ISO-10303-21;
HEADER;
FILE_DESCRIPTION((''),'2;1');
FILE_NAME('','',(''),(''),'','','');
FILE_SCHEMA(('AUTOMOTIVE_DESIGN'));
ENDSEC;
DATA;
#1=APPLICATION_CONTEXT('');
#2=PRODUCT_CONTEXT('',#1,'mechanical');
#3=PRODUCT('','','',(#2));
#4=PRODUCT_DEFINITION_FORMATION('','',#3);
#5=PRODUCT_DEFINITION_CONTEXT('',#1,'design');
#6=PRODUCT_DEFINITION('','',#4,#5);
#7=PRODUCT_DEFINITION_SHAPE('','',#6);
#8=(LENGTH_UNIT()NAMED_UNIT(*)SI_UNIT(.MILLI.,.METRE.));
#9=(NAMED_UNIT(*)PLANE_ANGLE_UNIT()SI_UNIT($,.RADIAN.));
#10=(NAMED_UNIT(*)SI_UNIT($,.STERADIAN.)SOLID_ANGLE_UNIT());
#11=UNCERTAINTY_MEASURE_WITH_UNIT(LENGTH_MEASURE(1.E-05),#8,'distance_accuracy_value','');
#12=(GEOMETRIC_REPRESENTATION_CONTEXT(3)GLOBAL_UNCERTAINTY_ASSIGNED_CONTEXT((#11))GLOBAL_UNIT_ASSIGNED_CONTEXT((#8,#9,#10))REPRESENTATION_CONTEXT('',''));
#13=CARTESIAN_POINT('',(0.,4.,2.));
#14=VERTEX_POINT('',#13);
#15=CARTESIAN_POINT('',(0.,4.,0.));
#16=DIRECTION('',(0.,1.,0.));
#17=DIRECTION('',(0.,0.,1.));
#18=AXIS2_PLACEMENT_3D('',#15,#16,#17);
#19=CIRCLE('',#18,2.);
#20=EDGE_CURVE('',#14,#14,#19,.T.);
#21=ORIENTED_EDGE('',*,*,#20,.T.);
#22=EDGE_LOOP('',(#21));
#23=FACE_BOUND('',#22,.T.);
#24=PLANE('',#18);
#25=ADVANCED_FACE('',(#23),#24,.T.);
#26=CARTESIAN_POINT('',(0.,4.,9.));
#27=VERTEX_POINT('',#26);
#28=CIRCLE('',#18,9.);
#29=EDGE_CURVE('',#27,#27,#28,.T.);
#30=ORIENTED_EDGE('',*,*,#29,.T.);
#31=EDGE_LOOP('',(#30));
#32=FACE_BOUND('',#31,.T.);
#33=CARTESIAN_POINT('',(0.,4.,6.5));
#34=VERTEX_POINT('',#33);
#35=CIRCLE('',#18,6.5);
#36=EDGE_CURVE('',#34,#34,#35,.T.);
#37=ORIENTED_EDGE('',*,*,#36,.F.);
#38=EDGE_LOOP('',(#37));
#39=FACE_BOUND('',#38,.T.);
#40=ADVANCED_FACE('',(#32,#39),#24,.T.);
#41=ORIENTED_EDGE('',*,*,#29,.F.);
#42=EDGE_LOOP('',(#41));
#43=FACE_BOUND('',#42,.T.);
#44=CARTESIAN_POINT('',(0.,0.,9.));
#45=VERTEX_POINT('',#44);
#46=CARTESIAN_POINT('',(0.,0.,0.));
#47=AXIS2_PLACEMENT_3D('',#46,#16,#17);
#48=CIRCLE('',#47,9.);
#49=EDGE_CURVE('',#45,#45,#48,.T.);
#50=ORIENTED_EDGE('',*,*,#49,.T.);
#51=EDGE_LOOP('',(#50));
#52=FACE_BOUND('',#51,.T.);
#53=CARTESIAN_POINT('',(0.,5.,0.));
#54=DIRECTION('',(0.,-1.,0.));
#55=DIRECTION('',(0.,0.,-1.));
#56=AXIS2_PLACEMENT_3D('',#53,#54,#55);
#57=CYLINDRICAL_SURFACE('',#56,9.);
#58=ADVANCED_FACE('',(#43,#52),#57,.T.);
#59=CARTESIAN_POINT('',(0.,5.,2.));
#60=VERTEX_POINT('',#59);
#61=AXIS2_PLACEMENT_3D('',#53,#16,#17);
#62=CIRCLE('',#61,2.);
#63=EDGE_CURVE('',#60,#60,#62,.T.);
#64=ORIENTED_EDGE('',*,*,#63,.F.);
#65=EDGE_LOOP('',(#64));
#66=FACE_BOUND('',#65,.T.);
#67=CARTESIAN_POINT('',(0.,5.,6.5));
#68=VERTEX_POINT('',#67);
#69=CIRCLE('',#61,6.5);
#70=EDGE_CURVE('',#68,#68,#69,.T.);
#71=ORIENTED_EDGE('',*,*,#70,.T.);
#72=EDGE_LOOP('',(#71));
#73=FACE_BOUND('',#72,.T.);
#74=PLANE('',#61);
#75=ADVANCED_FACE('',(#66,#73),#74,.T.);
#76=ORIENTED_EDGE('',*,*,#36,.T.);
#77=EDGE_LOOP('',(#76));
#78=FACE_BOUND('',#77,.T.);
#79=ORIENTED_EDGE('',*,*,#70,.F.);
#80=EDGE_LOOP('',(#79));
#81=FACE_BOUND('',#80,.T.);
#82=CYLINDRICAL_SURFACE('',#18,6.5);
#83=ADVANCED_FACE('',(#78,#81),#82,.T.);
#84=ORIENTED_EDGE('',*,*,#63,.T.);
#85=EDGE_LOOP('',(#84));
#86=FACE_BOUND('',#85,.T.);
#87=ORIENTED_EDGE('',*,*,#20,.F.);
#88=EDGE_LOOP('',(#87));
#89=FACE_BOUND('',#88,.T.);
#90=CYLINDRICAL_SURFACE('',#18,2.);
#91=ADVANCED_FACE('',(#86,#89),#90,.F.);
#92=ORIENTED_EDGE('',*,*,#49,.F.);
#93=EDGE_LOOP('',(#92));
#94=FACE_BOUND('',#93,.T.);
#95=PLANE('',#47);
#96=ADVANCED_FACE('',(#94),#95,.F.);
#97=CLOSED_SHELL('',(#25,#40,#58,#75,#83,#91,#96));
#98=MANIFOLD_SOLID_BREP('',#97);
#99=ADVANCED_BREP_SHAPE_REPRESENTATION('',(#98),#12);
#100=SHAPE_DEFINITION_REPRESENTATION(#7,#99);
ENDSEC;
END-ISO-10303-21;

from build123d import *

# Parameters (mm, degrees)
SKETCH_1_R          = 9
EXTRUDE_1_DEPTH     = 5
SKETCH_2_OUTSIDE_W  = 25.188
SKETCH_2_OUTSIDE_H  = 25.188
SKETCH_2_OUTSIDE_R  = 6.5
CUT_EXTRUDE_1_DEPTH = 1
SKETCH_3_R          = 2
CUT_EXTRUDE_2_DEPTH = 1


with BuildPart() as part:
    # 草图1 → 凸台-拉伸1 (new body)
    with BuildSketch(Plane(origin=(0, 0, 0), x_dir=(1, 0, 0), z_dir=(0, 1, 0))):
        Circle(SKETCH_1_R)
    extrude(amount=EXTRUDE_1_DEPTH)

    # 草图2 outside → 切除-拉伸1 (cut)
    with BuildSketch(Plane(origin=(0, 5, 0), x_dir=(1, 0, 0), z_dir=(0, 1, 0))):
        Rectangle(SKETCH_2_OUTSIDE_W, SKETCH_2_OUTSIDE_H)
        Circle(SKETCH_2_OUTSIDE_R, mode=Mode.SUBTRACT)
    extrude(amount=-CUT_EXTRUDE_1_DEPTH, mode=Mode.SUBTRACT)

    # 草图3 → 切除-拉伸2 (cut)
    with BuildSketch(Plane(origin=(0, 5, 0), x_dir=(1, 0, 0), z_dir=(0, 1, 0))):
        Circle(SKETCH_3_R)
    extrude(amount=-CUT_EXTRUDE_2_DEPTH, mode=Mode.SUBTRACT)


solid = part.part
